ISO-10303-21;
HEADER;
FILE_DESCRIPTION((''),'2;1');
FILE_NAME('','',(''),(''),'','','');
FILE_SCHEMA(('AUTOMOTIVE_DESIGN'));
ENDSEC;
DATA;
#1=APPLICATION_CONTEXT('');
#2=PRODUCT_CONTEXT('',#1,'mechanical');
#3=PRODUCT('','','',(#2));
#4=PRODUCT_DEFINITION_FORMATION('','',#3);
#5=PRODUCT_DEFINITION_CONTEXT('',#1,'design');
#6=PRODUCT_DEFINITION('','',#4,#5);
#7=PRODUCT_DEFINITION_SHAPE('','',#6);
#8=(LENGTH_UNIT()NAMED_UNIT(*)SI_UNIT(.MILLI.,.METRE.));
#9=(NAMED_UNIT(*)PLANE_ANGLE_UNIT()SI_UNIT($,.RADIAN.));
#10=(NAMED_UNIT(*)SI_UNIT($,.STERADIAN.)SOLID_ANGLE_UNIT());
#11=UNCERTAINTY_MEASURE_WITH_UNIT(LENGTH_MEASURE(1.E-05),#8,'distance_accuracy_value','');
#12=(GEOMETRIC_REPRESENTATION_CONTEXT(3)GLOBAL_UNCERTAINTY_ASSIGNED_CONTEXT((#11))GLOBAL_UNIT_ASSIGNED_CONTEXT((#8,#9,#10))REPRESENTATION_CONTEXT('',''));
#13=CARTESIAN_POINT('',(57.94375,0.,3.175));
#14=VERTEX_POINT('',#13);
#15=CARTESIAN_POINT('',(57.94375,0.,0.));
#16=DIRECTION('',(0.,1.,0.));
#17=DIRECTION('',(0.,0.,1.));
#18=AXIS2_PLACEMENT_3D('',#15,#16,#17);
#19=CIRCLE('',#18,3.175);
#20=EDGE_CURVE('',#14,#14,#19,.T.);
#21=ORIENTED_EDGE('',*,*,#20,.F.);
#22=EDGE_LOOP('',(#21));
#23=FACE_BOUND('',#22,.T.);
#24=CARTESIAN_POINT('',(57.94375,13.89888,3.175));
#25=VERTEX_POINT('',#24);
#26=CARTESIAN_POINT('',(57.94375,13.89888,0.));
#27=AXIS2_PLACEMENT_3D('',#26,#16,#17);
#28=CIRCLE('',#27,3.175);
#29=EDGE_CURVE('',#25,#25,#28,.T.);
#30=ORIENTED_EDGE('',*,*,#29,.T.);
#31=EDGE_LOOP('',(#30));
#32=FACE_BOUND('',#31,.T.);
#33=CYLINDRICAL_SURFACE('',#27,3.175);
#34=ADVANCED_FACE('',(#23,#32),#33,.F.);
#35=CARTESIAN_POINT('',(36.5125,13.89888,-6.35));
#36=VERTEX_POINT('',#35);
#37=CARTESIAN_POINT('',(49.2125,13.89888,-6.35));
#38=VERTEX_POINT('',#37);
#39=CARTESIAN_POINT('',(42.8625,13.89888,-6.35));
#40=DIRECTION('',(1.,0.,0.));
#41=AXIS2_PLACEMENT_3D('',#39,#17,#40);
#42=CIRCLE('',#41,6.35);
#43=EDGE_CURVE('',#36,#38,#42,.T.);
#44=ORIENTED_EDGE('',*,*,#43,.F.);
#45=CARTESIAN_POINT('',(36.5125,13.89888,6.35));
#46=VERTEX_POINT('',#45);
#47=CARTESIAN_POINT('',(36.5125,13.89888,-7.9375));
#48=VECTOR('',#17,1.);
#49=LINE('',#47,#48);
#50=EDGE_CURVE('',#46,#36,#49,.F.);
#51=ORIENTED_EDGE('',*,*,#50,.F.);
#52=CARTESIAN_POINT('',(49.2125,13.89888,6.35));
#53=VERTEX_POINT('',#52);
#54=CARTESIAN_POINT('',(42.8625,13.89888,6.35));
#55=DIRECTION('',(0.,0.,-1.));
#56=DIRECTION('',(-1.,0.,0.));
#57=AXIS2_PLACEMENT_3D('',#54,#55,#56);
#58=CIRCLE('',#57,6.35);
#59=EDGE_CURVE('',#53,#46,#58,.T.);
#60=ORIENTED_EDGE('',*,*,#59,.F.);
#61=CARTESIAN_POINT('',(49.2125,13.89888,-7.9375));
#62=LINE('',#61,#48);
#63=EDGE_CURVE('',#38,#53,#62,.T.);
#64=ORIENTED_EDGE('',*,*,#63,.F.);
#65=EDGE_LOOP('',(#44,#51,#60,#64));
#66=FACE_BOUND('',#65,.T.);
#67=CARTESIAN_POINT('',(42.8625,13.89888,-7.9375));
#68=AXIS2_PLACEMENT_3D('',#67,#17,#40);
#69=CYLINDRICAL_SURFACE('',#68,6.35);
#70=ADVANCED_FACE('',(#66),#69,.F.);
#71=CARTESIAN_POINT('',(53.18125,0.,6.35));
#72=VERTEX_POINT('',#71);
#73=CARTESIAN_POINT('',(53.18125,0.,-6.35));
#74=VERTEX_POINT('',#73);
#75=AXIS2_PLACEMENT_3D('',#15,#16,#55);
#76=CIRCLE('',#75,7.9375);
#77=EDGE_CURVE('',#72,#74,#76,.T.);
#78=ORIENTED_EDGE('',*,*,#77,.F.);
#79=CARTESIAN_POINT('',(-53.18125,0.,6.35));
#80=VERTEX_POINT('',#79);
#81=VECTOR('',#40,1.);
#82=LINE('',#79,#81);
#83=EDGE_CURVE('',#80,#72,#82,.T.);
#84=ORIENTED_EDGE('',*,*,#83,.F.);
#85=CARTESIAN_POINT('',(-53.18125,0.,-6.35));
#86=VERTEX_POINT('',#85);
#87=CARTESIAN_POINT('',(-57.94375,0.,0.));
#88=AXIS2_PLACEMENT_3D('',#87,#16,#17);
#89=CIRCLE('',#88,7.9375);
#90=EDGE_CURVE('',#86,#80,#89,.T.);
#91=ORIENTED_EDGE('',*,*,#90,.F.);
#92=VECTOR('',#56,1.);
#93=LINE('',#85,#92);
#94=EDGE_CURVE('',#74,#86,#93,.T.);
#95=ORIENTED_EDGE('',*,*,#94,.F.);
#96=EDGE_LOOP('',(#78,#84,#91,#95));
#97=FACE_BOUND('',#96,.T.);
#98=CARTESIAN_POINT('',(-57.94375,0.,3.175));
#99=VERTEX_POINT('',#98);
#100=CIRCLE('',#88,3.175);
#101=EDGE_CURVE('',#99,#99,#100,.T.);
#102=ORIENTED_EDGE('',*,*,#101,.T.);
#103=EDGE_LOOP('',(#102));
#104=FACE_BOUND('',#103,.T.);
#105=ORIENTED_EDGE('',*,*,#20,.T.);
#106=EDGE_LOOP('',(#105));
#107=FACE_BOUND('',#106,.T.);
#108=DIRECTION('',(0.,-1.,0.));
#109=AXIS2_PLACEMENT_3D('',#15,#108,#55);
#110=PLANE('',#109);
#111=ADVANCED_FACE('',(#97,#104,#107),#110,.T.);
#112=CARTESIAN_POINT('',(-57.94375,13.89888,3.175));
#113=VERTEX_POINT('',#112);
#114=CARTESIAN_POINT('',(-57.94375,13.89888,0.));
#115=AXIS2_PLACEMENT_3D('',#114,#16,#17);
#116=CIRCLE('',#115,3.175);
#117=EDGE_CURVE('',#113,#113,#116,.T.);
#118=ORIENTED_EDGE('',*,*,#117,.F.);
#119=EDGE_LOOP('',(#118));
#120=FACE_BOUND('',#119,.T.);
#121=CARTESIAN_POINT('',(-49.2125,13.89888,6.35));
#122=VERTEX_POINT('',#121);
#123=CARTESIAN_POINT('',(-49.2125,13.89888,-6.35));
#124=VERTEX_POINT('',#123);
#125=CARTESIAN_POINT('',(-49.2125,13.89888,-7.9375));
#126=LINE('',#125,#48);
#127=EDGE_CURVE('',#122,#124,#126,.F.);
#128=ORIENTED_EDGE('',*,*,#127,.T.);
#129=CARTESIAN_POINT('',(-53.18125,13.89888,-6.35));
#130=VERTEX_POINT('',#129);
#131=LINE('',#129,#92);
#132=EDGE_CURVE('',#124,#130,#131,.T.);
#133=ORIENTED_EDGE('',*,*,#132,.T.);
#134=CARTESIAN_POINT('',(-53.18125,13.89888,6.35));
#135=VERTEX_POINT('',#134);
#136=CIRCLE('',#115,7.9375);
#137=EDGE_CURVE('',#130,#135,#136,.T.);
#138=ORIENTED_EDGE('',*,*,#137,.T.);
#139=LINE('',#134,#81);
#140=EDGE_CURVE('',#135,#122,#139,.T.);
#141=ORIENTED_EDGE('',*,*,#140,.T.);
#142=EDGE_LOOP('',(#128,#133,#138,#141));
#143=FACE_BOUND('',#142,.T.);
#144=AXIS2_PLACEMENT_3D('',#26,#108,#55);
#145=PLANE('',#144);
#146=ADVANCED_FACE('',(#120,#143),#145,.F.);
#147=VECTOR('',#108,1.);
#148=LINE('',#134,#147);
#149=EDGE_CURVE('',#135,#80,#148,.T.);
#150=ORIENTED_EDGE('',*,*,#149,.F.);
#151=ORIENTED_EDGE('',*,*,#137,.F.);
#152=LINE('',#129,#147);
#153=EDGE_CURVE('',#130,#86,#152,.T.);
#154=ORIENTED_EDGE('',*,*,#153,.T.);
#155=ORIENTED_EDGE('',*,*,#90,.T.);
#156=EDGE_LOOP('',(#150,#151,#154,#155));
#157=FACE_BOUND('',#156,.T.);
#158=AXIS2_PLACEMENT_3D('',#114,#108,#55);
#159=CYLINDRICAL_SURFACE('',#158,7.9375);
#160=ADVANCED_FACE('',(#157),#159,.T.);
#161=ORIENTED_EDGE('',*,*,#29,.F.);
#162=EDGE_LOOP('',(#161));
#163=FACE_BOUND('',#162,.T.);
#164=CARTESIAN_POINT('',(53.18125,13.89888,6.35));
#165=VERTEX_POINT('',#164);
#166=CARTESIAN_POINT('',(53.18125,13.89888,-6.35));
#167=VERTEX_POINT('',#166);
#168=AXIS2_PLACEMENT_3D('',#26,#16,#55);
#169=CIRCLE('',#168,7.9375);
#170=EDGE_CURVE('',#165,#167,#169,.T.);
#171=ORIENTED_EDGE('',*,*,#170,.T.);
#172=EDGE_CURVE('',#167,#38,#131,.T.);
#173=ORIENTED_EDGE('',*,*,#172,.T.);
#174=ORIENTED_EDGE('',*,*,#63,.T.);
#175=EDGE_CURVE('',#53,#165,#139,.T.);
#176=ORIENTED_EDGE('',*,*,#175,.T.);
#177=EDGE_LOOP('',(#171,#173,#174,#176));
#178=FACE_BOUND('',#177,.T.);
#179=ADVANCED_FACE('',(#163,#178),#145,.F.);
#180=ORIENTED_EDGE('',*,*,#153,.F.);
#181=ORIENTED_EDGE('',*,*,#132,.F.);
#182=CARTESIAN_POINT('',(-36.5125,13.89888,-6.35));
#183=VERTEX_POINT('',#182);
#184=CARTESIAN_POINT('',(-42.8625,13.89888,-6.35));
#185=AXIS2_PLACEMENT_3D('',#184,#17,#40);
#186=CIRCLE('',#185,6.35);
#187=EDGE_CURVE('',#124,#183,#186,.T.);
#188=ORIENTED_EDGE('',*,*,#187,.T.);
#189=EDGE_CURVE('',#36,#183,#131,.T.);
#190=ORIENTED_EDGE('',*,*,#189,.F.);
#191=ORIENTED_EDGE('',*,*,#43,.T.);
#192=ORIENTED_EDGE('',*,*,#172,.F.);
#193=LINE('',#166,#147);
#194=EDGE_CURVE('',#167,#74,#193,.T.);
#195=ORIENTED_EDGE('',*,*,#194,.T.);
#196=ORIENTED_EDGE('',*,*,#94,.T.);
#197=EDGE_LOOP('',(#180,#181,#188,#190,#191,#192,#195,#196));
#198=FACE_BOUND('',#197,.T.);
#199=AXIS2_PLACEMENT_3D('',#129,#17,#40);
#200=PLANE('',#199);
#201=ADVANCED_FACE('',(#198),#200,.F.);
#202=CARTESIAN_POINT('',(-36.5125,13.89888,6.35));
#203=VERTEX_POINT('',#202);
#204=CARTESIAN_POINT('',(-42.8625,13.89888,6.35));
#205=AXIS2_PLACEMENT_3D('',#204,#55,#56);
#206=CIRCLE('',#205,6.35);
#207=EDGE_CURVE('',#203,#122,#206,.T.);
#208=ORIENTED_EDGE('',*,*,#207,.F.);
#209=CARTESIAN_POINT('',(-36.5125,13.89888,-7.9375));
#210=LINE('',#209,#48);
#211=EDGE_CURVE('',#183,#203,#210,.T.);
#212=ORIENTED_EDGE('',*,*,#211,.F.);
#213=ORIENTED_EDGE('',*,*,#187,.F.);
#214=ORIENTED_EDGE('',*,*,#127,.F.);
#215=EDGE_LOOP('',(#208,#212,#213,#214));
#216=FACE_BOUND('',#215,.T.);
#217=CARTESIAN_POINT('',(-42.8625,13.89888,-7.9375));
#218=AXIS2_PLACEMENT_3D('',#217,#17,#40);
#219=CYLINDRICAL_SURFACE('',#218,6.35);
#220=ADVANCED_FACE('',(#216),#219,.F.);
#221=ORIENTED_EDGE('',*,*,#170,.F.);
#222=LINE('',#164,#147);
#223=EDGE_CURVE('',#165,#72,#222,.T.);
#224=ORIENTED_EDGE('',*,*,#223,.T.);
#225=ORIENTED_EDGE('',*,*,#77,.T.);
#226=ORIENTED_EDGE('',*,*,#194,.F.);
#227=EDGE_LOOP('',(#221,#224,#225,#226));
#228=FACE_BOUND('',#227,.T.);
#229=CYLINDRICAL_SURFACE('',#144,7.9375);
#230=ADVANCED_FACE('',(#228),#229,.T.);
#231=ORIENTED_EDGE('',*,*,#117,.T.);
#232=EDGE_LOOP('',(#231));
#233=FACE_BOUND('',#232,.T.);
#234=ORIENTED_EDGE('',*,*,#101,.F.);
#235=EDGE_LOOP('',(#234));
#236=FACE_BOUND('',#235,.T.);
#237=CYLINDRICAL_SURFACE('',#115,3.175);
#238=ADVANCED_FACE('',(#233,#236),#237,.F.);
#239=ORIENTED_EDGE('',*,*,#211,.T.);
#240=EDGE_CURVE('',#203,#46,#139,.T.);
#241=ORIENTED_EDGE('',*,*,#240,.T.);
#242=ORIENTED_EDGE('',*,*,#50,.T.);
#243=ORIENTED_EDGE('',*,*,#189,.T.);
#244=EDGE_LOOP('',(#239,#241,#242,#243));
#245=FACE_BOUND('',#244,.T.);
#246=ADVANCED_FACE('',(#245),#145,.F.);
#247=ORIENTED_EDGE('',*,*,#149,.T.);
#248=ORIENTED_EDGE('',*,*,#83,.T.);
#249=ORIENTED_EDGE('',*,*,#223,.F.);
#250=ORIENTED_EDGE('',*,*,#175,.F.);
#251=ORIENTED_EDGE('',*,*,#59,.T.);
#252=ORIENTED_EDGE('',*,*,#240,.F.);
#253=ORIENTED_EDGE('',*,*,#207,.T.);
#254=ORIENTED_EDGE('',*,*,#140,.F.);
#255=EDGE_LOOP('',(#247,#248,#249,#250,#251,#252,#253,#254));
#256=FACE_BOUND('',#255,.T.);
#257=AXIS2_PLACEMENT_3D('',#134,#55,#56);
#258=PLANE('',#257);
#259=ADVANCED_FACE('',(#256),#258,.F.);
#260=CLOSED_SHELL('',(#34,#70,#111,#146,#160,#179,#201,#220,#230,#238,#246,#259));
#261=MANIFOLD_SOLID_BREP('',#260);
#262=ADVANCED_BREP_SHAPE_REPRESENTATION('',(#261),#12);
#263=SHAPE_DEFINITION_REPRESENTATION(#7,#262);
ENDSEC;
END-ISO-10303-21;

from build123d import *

# Parameters (mm, degrees)
BOSS_EXTRUDE1_DEPTH         = 13.89888
CUT_EXTRUDE1_DEPTH          = 69.830593656
CUT_EXTRUDE1_DEPTH_BACK     = 69.830593656
F_1_4_0_25_DIAMETER_HOLE1_D = 6.35


with BuildPart() as part:
    # Sketch1 → Boss-Extrude1 (new body)
    with BuildSketch(Plane(origin=(0, 0, 0), x_dir=(1, 0, 0), z_dir=(0, 1, 0))):
        with BuildLine():
            Line((-53.18125, 6.35), (53.18125, 6.35))
            ThreePointArc((53.18125, 6.35), (65.88125, 0), (53.18125, -6.35))
            Line((53.18125, -6.35), (-53.18125, -6.35))
            ThreePointArc((-53.18125, -6.35), (-65.88125, 0), (-53.18125, 6.35))
        make_face()
    extrude(amount=BOSS_EXTRUDE1_DEPTH)

    # Sketch2 → Cut-Extrude1 (cut, two sides: drawn at the far end of the back side and taken through both)
    with BuildSketch(Plane.XY.offset(6.35).offset(-CUT_EXTRUDE1_DEPTH_BACK)):
        with BuildLine():
            Line((-49.2125, 13.89888), (-36.5125, 13.89888))
            ThreePointArc((-36.5125, 13.89888), (-42.8625, 7.54888), (-49.2125, 13.89888))
        make_face()
        with BuildLine():
            Line((36.5125, 13.89888), (49.2125, 13.89888))
            ThreePointArc((49.2125, 13.89888), (42.8625, 7.54888), (36.5125, 13.89888))
        make_face()
    extrude(amount=CUT_EXTRUDE1_DEPTH + CUT_EXTRUDE1_DEPTH_BACK, mode=Mode.SUBTRACT)

    # 1/4 (0.25) Diameter Hole1 (through all)
    with Locations(Plane(origin=(0, 13.89888, 0), x_dir=(1, 0, 0), z_dir=(0, 1, 0))):
        with Locations((-57.94375, 0), (57.94375, 0)):
            Hole(F_1_4_0_25_DIAMETER_HOLE1_D / 2)


solid = part.part
